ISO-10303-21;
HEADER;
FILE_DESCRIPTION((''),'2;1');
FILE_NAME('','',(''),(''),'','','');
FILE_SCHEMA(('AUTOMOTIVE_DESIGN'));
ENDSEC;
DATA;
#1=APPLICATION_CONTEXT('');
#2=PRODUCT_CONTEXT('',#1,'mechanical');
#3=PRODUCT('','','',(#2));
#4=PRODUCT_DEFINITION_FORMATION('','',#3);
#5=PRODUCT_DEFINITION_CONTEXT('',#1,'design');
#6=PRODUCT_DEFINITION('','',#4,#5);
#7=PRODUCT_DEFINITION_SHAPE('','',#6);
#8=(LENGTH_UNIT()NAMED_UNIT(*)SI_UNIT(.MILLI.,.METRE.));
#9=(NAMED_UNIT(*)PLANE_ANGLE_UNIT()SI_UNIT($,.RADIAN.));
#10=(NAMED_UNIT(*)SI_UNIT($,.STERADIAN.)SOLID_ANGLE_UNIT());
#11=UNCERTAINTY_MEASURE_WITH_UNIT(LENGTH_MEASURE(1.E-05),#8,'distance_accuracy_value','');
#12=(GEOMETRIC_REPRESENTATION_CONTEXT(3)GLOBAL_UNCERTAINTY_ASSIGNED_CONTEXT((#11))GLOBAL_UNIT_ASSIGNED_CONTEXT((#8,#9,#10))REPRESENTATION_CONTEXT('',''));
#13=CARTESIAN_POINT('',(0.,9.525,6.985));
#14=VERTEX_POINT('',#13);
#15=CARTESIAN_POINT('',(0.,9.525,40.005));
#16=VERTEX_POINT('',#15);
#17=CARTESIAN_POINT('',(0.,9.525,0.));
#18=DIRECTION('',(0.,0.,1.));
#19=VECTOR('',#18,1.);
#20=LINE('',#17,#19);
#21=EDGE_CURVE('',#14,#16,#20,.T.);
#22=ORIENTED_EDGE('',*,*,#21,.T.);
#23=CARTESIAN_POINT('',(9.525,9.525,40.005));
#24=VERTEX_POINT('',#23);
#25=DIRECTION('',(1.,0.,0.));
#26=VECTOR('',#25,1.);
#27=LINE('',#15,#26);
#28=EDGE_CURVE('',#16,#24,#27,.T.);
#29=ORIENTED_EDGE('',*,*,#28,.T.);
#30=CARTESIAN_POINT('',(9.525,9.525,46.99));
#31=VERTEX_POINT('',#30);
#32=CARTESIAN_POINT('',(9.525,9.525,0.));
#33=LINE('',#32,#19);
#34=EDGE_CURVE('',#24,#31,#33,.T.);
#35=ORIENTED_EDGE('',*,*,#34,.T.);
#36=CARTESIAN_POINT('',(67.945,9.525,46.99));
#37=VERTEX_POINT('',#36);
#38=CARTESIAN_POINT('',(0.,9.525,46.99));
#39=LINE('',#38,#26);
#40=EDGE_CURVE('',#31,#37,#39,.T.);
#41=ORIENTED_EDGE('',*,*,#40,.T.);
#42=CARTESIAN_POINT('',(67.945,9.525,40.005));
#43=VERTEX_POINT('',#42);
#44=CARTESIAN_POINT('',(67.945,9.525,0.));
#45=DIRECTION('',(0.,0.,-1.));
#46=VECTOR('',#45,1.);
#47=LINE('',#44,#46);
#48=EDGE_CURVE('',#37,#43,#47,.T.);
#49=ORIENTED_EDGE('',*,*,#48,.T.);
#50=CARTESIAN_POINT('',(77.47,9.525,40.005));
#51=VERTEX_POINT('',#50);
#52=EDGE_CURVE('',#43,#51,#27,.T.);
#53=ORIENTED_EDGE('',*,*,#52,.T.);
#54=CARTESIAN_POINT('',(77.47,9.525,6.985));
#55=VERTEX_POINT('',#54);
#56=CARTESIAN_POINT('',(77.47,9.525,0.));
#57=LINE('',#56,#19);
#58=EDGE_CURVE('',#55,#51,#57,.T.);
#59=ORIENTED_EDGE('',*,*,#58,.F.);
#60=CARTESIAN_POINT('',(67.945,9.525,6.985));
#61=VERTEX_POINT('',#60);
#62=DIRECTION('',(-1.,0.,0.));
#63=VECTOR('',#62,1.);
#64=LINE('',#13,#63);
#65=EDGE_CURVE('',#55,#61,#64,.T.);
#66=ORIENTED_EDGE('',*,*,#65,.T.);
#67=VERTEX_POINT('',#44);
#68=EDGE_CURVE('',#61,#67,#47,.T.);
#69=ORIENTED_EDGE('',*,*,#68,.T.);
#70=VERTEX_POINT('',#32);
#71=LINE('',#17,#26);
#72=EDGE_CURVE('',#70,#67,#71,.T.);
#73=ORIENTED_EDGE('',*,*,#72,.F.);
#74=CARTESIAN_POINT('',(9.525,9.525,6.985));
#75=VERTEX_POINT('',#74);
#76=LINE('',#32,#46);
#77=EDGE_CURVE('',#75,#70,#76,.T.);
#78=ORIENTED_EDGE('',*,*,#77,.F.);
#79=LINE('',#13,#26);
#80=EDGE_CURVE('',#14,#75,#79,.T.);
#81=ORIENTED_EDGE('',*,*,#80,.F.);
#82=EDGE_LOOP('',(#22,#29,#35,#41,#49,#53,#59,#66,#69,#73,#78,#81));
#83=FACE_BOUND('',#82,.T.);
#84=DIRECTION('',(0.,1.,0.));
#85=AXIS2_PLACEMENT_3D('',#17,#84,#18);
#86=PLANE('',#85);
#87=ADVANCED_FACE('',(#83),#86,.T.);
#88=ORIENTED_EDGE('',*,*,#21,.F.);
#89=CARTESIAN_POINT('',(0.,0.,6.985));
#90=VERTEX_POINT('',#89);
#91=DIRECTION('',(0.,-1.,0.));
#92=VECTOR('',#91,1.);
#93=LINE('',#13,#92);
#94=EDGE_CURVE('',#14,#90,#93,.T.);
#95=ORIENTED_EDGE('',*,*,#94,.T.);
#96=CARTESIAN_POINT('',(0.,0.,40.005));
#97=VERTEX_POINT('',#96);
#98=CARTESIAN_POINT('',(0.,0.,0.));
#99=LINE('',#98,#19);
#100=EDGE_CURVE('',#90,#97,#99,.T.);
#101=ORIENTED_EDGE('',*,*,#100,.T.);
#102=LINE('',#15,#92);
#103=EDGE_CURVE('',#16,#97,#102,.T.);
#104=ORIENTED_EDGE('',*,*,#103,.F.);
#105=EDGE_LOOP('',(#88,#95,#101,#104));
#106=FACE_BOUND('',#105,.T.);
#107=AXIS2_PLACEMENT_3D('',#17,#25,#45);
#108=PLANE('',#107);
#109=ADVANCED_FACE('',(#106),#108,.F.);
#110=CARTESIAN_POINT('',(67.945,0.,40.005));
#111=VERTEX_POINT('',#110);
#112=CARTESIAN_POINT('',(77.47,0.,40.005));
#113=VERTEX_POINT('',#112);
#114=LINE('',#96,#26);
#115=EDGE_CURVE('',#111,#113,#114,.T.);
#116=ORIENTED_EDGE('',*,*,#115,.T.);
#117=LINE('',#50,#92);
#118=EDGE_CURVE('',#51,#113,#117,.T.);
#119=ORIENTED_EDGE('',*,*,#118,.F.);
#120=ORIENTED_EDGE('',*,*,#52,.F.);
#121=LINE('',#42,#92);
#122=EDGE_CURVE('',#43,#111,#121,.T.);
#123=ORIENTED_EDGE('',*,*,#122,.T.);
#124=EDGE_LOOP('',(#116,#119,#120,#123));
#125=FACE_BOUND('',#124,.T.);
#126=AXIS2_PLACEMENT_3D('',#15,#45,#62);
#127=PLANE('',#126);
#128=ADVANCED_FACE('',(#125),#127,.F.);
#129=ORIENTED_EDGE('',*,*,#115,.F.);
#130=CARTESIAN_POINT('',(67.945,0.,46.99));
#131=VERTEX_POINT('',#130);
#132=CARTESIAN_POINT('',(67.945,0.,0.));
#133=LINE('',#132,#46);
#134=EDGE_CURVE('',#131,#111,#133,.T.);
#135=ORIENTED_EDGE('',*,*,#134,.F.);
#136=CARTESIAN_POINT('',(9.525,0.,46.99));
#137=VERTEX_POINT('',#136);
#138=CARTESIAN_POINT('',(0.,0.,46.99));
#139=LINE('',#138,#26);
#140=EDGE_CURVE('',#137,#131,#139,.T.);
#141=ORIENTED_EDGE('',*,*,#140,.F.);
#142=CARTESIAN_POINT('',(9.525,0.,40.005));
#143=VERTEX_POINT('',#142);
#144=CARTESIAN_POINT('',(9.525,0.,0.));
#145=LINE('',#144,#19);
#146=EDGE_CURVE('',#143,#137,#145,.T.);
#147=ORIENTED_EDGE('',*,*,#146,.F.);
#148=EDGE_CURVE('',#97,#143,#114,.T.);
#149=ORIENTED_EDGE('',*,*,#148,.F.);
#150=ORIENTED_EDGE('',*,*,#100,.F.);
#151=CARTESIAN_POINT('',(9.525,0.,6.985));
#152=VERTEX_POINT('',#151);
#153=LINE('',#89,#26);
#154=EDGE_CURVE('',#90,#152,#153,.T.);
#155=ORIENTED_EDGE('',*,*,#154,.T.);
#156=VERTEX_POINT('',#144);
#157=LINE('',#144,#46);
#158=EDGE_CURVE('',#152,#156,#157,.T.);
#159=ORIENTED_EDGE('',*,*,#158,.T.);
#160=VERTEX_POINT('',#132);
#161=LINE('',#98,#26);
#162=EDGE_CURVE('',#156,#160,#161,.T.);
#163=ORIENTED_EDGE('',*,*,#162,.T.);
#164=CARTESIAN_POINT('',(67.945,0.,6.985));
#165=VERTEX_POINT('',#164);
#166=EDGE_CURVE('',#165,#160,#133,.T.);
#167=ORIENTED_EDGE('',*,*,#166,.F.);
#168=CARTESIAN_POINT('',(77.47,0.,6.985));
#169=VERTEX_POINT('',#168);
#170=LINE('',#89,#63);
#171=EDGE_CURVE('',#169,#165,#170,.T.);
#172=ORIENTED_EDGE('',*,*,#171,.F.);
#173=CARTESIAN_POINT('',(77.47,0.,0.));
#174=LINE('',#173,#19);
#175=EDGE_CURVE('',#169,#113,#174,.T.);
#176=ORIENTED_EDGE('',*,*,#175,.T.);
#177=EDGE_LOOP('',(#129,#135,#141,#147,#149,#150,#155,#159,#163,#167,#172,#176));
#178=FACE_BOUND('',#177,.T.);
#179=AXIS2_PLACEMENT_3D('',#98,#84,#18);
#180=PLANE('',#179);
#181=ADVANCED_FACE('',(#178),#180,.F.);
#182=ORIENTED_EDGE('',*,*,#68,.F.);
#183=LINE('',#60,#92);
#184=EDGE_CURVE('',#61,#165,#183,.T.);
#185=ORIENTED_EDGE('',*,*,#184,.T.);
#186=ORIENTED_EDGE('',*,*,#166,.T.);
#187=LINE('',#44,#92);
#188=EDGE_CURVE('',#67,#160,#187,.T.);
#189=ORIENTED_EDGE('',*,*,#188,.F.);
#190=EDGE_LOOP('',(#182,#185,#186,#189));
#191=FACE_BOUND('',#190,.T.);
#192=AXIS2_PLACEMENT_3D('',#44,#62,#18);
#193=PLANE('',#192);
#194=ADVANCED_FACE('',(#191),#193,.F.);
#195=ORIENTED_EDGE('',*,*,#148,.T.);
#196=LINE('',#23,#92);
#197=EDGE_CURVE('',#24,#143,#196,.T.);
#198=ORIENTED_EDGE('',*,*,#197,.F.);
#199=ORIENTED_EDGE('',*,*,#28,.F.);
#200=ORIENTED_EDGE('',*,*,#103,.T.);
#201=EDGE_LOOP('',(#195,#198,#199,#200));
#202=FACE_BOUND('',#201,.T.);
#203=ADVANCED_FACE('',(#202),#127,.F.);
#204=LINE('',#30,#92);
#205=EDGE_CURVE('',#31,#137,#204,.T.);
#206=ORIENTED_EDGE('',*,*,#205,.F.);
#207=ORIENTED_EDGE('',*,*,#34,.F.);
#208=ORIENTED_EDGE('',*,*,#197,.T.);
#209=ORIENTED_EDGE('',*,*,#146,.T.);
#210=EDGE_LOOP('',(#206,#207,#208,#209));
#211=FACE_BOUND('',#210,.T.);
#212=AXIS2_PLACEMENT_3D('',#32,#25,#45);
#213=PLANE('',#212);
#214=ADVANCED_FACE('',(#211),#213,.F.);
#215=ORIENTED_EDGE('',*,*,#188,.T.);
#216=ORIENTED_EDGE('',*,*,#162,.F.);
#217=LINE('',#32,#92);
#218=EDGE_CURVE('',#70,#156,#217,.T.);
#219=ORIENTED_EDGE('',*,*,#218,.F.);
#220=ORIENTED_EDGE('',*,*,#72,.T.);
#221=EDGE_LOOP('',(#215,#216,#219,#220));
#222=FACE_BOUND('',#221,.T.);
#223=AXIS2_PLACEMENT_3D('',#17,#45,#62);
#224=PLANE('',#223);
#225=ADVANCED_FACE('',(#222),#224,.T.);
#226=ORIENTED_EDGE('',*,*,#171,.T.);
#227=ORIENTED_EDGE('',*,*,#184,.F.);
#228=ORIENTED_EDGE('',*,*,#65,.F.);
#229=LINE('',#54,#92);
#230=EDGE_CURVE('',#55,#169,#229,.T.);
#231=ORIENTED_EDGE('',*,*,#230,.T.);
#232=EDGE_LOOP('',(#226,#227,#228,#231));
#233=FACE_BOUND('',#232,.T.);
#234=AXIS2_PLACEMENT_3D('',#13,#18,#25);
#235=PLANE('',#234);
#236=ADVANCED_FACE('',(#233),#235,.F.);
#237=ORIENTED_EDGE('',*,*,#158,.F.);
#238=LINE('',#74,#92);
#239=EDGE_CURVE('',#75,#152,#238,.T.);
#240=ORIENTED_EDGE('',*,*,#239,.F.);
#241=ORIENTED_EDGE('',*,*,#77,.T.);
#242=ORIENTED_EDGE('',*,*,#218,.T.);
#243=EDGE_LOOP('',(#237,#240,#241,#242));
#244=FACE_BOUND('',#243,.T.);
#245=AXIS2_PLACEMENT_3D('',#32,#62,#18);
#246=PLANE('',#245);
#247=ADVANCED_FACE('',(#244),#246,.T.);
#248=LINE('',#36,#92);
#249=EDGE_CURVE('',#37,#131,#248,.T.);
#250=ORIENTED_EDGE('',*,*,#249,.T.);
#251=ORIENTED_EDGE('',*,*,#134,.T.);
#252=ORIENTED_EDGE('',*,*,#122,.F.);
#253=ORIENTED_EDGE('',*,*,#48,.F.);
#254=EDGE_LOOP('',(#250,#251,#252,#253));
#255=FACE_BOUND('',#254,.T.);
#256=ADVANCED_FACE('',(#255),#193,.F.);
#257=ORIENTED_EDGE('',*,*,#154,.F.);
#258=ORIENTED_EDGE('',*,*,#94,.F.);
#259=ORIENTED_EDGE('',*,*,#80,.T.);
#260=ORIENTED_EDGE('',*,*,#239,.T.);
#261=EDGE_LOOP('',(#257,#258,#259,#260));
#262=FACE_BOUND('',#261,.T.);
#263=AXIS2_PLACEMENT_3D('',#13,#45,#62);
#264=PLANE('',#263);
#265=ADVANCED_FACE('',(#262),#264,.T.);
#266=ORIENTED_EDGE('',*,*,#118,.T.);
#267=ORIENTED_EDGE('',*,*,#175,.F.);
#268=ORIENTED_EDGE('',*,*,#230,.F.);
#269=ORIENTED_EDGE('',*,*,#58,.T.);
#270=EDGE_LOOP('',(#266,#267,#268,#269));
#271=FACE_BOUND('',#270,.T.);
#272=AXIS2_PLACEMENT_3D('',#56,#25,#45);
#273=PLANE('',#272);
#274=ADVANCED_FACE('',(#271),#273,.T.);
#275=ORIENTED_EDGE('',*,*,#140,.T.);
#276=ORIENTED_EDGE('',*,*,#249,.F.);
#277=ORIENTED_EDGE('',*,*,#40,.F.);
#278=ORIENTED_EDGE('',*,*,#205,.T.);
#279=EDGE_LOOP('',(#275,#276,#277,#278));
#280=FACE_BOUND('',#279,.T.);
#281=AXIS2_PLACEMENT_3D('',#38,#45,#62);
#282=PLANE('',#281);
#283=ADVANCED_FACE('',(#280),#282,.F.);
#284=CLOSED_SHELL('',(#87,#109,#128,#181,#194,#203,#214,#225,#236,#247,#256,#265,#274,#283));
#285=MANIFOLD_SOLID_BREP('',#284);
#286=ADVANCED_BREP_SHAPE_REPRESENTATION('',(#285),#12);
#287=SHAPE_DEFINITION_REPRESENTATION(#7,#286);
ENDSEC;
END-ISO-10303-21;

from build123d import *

# Parameters (mm, degrees)
BOSS_EXTRUDE1_DEPTH = 9.525


with BuildPart() as part:
    # Sketch1 → Boss-Extrude1 (new body)
    with BuildSketch(Plane(origin=(0, 0, 0), x_dir=(1, 0, 0), z_dir=(0, 1, 0))):
        Polygon((9.525, -46.99), (67.945, -46.99), (67.945, -40.005), (77.47, -40.005), (77.47, -6.985), (67.945, -6.985), (67.945, 0), (9.525, 0), (9.525, -6.985), (0, -6.985), (0, -40.005), (9.525, -40.005), align=None)
    extrude(amount=BOSS_EXTRUDE1_DEPTH)


solid = part.part
